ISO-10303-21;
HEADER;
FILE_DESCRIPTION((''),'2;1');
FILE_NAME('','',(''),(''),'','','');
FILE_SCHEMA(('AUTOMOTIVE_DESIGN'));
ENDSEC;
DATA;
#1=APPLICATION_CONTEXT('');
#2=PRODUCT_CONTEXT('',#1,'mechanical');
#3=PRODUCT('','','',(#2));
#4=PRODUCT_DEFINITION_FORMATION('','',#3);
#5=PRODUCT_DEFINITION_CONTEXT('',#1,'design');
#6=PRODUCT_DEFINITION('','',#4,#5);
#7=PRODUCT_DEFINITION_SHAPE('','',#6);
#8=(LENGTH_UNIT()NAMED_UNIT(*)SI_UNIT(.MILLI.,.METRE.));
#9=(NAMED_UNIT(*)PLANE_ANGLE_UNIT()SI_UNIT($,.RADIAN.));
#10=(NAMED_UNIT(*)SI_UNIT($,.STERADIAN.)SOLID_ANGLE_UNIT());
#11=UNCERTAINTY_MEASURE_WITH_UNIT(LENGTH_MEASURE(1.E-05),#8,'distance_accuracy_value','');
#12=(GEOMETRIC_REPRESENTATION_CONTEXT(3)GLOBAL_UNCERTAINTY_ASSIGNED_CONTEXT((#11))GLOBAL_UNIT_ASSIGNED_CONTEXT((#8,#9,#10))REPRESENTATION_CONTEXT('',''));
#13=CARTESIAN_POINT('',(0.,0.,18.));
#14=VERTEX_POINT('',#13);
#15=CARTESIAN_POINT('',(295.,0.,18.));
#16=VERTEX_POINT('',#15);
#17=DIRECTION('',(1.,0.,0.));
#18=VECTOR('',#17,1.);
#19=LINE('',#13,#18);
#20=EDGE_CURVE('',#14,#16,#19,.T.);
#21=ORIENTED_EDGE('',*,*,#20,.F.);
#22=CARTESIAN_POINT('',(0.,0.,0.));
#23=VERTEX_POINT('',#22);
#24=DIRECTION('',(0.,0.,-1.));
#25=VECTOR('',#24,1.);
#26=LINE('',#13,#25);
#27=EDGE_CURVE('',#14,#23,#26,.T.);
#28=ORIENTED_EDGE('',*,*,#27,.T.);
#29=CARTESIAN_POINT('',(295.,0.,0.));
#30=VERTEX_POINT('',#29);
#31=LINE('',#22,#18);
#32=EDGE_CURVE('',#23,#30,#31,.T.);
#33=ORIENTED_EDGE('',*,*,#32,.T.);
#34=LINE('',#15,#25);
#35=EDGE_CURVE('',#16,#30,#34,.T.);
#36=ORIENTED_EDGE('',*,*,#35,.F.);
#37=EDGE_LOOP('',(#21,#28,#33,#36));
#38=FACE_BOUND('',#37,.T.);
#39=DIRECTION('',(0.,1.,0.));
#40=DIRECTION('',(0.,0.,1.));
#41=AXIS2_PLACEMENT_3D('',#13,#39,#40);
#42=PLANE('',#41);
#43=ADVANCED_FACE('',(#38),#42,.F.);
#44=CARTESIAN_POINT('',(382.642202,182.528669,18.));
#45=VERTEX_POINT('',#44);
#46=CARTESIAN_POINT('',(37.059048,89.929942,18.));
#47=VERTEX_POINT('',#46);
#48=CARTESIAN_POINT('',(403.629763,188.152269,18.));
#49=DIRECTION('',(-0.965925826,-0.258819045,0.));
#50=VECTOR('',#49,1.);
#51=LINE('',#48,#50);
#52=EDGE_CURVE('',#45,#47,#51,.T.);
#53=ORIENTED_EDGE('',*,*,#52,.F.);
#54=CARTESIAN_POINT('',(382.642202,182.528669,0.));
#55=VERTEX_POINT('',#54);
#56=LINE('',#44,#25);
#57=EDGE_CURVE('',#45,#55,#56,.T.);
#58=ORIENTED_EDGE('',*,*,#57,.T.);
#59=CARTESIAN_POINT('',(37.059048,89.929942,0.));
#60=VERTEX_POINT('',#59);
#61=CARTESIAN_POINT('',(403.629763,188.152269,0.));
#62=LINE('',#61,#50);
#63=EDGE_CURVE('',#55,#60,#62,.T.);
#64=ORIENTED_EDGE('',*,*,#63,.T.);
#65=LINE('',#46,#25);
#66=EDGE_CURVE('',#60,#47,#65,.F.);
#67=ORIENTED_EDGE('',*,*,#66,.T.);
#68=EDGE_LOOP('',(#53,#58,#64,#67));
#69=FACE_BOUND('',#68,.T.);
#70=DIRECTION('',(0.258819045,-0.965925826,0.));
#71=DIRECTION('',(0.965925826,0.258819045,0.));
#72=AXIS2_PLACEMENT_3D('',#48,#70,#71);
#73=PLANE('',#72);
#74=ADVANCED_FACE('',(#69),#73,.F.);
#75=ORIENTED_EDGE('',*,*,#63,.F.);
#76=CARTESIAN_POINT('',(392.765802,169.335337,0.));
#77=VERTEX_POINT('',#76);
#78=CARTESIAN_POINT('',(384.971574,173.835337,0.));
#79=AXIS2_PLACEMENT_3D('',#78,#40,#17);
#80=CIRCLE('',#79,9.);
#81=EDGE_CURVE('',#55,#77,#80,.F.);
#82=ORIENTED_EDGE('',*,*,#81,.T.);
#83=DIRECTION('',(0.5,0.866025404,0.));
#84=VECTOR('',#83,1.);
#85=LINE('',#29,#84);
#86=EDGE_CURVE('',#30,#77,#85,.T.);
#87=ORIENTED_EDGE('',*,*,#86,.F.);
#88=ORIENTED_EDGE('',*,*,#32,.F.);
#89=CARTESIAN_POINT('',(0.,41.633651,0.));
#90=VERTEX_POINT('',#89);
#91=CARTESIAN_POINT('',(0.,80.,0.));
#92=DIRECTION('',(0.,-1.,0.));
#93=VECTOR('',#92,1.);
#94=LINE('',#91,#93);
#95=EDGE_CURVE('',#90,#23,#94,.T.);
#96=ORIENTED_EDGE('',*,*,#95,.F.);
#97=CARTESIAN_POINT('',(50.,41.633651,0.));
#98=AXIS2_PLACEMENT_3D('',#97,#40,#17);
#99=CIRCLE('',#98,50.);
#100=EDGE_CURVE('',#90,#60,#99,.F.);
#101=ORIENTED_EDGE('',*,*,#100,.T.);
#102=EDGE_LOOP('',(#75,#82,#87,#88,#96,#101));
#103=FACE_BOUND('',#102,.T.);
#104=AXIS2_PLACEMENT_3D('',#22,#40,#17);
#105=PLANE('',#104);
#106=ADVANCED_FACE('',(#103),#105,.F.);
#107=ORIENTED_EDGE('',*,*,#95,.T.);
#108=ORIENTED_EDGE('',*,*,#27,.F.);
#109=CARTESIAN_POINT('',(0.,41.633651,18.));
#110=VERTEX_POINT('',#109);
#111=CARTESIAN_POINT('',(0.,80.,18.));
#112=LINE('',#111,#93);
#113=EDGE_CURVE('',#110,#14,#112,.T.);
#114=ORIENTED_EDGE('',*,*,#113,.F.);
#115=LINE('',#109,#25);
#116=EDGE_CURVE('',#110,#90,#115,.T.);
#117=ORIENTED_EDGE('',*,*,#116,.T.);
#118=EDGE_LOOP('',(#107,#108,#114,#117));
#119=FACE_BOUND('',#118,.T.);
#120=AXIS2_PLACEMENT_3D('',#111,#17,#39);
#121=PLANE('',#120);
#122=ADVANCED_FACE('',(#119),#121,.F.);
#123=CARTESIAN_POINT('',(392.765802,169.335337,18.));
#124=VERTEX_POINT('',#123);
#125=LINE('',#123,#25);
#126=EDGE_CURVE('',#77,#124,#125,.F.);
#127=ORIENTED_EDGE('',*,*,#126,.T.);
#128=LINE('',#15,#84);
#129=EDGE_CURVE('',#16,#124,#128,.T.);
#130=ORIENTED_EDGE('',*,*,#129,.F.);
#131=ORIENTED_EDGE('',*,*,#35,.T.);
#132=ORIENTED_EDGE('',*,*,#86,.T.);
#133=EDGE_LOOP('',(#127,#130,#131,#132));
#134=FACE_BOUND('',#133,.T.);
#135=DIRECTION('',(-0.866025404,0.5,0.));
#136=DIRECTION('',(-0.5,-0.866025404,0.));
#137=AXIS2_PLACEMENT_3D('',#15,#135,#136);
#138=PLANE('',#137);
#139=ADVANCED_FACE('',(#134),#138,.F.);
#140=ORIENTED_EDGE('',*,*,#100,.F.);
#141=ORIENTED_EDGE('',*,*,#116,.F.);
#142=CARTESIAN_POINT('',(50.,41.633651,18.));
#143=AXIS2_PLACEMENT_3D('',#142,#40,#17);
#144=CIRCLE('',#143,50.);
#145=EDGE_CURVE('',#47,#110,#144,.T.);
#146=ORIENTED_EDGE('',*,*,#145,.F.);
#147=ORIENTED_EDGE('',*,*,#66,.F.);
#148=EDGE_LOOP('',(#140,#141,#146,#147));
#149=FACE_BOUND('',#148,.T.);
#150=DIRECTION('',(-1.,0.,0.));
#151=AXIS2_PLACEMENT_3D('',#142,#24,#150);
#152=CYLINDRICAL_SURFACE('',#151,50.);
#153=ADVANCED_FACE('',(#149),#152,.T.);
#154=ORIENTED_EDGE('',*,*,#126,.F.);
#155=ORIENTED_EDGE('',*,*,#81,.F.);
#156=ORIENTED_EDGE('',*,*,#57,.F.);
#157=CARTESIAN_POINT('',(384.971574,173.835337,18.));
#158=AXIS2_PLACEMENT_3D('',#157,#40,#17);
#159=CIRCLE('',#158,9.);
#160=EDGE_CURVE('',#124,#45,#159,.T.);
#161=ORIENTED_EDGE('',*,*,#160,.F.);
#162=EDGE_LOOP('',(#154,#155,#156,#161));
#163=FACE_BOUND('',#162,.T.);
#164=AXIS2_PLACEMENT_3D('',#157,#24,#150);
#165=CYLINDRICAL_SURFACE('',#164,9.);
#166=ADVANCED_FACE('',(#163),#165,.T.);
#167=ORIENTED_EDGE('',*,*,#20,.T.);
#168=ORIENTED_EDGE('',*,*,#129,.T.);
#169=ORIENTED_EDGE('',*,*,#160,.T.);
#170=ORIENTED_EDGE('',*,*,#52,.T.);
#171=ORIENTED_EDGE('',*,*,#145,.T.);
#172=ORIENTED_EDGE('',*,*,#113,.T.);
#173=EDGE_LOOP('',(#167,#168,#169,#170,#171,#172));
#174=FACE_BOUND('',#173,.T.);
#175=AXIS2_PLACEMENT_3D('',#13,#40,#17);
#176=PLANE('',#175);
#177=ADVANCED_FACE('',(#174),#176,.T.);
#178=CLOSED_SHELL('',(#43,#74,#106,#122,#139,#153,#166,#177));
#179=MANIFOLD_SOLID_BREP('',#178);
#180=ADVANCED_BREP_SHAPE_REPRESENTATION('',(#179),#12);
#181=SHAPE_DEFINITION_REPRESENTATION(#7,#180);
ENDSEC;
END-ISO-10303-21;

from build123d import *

# Parameters (mm, degrees)
BOSS_EXTRU_1_DEPTH = 18
CONG_1_R           = 50
CONG_2_R           = 9


with BuildPart() as part:
    # Esquisse1 → Boss.-Extru.1 (new body)
    with BuildSketch(Plane.XY):
        Polygon((0, 0), (295, 0), (403.62976321, 188.152269093), (0, 80), align=None)
    extrude(amount=BOSS_EXTRU_1_DEPTH)

    # Congé1
    cong_1_edges = [part.edges().sort_by_distance(p)[0] for p in [
        (0, 80, 9),
    ]]
    fillet(cong_1_edges, radius=CONG_1_R)

    # Congé2
    cong_2_edges = [part.edges().sort_by_distance(p)[0] for p in [
        (403.62976321, 188.152269093, 9),
    ]]
    fillet(cong_2_edges, radius=CONG_2_R)


solid = part.part
